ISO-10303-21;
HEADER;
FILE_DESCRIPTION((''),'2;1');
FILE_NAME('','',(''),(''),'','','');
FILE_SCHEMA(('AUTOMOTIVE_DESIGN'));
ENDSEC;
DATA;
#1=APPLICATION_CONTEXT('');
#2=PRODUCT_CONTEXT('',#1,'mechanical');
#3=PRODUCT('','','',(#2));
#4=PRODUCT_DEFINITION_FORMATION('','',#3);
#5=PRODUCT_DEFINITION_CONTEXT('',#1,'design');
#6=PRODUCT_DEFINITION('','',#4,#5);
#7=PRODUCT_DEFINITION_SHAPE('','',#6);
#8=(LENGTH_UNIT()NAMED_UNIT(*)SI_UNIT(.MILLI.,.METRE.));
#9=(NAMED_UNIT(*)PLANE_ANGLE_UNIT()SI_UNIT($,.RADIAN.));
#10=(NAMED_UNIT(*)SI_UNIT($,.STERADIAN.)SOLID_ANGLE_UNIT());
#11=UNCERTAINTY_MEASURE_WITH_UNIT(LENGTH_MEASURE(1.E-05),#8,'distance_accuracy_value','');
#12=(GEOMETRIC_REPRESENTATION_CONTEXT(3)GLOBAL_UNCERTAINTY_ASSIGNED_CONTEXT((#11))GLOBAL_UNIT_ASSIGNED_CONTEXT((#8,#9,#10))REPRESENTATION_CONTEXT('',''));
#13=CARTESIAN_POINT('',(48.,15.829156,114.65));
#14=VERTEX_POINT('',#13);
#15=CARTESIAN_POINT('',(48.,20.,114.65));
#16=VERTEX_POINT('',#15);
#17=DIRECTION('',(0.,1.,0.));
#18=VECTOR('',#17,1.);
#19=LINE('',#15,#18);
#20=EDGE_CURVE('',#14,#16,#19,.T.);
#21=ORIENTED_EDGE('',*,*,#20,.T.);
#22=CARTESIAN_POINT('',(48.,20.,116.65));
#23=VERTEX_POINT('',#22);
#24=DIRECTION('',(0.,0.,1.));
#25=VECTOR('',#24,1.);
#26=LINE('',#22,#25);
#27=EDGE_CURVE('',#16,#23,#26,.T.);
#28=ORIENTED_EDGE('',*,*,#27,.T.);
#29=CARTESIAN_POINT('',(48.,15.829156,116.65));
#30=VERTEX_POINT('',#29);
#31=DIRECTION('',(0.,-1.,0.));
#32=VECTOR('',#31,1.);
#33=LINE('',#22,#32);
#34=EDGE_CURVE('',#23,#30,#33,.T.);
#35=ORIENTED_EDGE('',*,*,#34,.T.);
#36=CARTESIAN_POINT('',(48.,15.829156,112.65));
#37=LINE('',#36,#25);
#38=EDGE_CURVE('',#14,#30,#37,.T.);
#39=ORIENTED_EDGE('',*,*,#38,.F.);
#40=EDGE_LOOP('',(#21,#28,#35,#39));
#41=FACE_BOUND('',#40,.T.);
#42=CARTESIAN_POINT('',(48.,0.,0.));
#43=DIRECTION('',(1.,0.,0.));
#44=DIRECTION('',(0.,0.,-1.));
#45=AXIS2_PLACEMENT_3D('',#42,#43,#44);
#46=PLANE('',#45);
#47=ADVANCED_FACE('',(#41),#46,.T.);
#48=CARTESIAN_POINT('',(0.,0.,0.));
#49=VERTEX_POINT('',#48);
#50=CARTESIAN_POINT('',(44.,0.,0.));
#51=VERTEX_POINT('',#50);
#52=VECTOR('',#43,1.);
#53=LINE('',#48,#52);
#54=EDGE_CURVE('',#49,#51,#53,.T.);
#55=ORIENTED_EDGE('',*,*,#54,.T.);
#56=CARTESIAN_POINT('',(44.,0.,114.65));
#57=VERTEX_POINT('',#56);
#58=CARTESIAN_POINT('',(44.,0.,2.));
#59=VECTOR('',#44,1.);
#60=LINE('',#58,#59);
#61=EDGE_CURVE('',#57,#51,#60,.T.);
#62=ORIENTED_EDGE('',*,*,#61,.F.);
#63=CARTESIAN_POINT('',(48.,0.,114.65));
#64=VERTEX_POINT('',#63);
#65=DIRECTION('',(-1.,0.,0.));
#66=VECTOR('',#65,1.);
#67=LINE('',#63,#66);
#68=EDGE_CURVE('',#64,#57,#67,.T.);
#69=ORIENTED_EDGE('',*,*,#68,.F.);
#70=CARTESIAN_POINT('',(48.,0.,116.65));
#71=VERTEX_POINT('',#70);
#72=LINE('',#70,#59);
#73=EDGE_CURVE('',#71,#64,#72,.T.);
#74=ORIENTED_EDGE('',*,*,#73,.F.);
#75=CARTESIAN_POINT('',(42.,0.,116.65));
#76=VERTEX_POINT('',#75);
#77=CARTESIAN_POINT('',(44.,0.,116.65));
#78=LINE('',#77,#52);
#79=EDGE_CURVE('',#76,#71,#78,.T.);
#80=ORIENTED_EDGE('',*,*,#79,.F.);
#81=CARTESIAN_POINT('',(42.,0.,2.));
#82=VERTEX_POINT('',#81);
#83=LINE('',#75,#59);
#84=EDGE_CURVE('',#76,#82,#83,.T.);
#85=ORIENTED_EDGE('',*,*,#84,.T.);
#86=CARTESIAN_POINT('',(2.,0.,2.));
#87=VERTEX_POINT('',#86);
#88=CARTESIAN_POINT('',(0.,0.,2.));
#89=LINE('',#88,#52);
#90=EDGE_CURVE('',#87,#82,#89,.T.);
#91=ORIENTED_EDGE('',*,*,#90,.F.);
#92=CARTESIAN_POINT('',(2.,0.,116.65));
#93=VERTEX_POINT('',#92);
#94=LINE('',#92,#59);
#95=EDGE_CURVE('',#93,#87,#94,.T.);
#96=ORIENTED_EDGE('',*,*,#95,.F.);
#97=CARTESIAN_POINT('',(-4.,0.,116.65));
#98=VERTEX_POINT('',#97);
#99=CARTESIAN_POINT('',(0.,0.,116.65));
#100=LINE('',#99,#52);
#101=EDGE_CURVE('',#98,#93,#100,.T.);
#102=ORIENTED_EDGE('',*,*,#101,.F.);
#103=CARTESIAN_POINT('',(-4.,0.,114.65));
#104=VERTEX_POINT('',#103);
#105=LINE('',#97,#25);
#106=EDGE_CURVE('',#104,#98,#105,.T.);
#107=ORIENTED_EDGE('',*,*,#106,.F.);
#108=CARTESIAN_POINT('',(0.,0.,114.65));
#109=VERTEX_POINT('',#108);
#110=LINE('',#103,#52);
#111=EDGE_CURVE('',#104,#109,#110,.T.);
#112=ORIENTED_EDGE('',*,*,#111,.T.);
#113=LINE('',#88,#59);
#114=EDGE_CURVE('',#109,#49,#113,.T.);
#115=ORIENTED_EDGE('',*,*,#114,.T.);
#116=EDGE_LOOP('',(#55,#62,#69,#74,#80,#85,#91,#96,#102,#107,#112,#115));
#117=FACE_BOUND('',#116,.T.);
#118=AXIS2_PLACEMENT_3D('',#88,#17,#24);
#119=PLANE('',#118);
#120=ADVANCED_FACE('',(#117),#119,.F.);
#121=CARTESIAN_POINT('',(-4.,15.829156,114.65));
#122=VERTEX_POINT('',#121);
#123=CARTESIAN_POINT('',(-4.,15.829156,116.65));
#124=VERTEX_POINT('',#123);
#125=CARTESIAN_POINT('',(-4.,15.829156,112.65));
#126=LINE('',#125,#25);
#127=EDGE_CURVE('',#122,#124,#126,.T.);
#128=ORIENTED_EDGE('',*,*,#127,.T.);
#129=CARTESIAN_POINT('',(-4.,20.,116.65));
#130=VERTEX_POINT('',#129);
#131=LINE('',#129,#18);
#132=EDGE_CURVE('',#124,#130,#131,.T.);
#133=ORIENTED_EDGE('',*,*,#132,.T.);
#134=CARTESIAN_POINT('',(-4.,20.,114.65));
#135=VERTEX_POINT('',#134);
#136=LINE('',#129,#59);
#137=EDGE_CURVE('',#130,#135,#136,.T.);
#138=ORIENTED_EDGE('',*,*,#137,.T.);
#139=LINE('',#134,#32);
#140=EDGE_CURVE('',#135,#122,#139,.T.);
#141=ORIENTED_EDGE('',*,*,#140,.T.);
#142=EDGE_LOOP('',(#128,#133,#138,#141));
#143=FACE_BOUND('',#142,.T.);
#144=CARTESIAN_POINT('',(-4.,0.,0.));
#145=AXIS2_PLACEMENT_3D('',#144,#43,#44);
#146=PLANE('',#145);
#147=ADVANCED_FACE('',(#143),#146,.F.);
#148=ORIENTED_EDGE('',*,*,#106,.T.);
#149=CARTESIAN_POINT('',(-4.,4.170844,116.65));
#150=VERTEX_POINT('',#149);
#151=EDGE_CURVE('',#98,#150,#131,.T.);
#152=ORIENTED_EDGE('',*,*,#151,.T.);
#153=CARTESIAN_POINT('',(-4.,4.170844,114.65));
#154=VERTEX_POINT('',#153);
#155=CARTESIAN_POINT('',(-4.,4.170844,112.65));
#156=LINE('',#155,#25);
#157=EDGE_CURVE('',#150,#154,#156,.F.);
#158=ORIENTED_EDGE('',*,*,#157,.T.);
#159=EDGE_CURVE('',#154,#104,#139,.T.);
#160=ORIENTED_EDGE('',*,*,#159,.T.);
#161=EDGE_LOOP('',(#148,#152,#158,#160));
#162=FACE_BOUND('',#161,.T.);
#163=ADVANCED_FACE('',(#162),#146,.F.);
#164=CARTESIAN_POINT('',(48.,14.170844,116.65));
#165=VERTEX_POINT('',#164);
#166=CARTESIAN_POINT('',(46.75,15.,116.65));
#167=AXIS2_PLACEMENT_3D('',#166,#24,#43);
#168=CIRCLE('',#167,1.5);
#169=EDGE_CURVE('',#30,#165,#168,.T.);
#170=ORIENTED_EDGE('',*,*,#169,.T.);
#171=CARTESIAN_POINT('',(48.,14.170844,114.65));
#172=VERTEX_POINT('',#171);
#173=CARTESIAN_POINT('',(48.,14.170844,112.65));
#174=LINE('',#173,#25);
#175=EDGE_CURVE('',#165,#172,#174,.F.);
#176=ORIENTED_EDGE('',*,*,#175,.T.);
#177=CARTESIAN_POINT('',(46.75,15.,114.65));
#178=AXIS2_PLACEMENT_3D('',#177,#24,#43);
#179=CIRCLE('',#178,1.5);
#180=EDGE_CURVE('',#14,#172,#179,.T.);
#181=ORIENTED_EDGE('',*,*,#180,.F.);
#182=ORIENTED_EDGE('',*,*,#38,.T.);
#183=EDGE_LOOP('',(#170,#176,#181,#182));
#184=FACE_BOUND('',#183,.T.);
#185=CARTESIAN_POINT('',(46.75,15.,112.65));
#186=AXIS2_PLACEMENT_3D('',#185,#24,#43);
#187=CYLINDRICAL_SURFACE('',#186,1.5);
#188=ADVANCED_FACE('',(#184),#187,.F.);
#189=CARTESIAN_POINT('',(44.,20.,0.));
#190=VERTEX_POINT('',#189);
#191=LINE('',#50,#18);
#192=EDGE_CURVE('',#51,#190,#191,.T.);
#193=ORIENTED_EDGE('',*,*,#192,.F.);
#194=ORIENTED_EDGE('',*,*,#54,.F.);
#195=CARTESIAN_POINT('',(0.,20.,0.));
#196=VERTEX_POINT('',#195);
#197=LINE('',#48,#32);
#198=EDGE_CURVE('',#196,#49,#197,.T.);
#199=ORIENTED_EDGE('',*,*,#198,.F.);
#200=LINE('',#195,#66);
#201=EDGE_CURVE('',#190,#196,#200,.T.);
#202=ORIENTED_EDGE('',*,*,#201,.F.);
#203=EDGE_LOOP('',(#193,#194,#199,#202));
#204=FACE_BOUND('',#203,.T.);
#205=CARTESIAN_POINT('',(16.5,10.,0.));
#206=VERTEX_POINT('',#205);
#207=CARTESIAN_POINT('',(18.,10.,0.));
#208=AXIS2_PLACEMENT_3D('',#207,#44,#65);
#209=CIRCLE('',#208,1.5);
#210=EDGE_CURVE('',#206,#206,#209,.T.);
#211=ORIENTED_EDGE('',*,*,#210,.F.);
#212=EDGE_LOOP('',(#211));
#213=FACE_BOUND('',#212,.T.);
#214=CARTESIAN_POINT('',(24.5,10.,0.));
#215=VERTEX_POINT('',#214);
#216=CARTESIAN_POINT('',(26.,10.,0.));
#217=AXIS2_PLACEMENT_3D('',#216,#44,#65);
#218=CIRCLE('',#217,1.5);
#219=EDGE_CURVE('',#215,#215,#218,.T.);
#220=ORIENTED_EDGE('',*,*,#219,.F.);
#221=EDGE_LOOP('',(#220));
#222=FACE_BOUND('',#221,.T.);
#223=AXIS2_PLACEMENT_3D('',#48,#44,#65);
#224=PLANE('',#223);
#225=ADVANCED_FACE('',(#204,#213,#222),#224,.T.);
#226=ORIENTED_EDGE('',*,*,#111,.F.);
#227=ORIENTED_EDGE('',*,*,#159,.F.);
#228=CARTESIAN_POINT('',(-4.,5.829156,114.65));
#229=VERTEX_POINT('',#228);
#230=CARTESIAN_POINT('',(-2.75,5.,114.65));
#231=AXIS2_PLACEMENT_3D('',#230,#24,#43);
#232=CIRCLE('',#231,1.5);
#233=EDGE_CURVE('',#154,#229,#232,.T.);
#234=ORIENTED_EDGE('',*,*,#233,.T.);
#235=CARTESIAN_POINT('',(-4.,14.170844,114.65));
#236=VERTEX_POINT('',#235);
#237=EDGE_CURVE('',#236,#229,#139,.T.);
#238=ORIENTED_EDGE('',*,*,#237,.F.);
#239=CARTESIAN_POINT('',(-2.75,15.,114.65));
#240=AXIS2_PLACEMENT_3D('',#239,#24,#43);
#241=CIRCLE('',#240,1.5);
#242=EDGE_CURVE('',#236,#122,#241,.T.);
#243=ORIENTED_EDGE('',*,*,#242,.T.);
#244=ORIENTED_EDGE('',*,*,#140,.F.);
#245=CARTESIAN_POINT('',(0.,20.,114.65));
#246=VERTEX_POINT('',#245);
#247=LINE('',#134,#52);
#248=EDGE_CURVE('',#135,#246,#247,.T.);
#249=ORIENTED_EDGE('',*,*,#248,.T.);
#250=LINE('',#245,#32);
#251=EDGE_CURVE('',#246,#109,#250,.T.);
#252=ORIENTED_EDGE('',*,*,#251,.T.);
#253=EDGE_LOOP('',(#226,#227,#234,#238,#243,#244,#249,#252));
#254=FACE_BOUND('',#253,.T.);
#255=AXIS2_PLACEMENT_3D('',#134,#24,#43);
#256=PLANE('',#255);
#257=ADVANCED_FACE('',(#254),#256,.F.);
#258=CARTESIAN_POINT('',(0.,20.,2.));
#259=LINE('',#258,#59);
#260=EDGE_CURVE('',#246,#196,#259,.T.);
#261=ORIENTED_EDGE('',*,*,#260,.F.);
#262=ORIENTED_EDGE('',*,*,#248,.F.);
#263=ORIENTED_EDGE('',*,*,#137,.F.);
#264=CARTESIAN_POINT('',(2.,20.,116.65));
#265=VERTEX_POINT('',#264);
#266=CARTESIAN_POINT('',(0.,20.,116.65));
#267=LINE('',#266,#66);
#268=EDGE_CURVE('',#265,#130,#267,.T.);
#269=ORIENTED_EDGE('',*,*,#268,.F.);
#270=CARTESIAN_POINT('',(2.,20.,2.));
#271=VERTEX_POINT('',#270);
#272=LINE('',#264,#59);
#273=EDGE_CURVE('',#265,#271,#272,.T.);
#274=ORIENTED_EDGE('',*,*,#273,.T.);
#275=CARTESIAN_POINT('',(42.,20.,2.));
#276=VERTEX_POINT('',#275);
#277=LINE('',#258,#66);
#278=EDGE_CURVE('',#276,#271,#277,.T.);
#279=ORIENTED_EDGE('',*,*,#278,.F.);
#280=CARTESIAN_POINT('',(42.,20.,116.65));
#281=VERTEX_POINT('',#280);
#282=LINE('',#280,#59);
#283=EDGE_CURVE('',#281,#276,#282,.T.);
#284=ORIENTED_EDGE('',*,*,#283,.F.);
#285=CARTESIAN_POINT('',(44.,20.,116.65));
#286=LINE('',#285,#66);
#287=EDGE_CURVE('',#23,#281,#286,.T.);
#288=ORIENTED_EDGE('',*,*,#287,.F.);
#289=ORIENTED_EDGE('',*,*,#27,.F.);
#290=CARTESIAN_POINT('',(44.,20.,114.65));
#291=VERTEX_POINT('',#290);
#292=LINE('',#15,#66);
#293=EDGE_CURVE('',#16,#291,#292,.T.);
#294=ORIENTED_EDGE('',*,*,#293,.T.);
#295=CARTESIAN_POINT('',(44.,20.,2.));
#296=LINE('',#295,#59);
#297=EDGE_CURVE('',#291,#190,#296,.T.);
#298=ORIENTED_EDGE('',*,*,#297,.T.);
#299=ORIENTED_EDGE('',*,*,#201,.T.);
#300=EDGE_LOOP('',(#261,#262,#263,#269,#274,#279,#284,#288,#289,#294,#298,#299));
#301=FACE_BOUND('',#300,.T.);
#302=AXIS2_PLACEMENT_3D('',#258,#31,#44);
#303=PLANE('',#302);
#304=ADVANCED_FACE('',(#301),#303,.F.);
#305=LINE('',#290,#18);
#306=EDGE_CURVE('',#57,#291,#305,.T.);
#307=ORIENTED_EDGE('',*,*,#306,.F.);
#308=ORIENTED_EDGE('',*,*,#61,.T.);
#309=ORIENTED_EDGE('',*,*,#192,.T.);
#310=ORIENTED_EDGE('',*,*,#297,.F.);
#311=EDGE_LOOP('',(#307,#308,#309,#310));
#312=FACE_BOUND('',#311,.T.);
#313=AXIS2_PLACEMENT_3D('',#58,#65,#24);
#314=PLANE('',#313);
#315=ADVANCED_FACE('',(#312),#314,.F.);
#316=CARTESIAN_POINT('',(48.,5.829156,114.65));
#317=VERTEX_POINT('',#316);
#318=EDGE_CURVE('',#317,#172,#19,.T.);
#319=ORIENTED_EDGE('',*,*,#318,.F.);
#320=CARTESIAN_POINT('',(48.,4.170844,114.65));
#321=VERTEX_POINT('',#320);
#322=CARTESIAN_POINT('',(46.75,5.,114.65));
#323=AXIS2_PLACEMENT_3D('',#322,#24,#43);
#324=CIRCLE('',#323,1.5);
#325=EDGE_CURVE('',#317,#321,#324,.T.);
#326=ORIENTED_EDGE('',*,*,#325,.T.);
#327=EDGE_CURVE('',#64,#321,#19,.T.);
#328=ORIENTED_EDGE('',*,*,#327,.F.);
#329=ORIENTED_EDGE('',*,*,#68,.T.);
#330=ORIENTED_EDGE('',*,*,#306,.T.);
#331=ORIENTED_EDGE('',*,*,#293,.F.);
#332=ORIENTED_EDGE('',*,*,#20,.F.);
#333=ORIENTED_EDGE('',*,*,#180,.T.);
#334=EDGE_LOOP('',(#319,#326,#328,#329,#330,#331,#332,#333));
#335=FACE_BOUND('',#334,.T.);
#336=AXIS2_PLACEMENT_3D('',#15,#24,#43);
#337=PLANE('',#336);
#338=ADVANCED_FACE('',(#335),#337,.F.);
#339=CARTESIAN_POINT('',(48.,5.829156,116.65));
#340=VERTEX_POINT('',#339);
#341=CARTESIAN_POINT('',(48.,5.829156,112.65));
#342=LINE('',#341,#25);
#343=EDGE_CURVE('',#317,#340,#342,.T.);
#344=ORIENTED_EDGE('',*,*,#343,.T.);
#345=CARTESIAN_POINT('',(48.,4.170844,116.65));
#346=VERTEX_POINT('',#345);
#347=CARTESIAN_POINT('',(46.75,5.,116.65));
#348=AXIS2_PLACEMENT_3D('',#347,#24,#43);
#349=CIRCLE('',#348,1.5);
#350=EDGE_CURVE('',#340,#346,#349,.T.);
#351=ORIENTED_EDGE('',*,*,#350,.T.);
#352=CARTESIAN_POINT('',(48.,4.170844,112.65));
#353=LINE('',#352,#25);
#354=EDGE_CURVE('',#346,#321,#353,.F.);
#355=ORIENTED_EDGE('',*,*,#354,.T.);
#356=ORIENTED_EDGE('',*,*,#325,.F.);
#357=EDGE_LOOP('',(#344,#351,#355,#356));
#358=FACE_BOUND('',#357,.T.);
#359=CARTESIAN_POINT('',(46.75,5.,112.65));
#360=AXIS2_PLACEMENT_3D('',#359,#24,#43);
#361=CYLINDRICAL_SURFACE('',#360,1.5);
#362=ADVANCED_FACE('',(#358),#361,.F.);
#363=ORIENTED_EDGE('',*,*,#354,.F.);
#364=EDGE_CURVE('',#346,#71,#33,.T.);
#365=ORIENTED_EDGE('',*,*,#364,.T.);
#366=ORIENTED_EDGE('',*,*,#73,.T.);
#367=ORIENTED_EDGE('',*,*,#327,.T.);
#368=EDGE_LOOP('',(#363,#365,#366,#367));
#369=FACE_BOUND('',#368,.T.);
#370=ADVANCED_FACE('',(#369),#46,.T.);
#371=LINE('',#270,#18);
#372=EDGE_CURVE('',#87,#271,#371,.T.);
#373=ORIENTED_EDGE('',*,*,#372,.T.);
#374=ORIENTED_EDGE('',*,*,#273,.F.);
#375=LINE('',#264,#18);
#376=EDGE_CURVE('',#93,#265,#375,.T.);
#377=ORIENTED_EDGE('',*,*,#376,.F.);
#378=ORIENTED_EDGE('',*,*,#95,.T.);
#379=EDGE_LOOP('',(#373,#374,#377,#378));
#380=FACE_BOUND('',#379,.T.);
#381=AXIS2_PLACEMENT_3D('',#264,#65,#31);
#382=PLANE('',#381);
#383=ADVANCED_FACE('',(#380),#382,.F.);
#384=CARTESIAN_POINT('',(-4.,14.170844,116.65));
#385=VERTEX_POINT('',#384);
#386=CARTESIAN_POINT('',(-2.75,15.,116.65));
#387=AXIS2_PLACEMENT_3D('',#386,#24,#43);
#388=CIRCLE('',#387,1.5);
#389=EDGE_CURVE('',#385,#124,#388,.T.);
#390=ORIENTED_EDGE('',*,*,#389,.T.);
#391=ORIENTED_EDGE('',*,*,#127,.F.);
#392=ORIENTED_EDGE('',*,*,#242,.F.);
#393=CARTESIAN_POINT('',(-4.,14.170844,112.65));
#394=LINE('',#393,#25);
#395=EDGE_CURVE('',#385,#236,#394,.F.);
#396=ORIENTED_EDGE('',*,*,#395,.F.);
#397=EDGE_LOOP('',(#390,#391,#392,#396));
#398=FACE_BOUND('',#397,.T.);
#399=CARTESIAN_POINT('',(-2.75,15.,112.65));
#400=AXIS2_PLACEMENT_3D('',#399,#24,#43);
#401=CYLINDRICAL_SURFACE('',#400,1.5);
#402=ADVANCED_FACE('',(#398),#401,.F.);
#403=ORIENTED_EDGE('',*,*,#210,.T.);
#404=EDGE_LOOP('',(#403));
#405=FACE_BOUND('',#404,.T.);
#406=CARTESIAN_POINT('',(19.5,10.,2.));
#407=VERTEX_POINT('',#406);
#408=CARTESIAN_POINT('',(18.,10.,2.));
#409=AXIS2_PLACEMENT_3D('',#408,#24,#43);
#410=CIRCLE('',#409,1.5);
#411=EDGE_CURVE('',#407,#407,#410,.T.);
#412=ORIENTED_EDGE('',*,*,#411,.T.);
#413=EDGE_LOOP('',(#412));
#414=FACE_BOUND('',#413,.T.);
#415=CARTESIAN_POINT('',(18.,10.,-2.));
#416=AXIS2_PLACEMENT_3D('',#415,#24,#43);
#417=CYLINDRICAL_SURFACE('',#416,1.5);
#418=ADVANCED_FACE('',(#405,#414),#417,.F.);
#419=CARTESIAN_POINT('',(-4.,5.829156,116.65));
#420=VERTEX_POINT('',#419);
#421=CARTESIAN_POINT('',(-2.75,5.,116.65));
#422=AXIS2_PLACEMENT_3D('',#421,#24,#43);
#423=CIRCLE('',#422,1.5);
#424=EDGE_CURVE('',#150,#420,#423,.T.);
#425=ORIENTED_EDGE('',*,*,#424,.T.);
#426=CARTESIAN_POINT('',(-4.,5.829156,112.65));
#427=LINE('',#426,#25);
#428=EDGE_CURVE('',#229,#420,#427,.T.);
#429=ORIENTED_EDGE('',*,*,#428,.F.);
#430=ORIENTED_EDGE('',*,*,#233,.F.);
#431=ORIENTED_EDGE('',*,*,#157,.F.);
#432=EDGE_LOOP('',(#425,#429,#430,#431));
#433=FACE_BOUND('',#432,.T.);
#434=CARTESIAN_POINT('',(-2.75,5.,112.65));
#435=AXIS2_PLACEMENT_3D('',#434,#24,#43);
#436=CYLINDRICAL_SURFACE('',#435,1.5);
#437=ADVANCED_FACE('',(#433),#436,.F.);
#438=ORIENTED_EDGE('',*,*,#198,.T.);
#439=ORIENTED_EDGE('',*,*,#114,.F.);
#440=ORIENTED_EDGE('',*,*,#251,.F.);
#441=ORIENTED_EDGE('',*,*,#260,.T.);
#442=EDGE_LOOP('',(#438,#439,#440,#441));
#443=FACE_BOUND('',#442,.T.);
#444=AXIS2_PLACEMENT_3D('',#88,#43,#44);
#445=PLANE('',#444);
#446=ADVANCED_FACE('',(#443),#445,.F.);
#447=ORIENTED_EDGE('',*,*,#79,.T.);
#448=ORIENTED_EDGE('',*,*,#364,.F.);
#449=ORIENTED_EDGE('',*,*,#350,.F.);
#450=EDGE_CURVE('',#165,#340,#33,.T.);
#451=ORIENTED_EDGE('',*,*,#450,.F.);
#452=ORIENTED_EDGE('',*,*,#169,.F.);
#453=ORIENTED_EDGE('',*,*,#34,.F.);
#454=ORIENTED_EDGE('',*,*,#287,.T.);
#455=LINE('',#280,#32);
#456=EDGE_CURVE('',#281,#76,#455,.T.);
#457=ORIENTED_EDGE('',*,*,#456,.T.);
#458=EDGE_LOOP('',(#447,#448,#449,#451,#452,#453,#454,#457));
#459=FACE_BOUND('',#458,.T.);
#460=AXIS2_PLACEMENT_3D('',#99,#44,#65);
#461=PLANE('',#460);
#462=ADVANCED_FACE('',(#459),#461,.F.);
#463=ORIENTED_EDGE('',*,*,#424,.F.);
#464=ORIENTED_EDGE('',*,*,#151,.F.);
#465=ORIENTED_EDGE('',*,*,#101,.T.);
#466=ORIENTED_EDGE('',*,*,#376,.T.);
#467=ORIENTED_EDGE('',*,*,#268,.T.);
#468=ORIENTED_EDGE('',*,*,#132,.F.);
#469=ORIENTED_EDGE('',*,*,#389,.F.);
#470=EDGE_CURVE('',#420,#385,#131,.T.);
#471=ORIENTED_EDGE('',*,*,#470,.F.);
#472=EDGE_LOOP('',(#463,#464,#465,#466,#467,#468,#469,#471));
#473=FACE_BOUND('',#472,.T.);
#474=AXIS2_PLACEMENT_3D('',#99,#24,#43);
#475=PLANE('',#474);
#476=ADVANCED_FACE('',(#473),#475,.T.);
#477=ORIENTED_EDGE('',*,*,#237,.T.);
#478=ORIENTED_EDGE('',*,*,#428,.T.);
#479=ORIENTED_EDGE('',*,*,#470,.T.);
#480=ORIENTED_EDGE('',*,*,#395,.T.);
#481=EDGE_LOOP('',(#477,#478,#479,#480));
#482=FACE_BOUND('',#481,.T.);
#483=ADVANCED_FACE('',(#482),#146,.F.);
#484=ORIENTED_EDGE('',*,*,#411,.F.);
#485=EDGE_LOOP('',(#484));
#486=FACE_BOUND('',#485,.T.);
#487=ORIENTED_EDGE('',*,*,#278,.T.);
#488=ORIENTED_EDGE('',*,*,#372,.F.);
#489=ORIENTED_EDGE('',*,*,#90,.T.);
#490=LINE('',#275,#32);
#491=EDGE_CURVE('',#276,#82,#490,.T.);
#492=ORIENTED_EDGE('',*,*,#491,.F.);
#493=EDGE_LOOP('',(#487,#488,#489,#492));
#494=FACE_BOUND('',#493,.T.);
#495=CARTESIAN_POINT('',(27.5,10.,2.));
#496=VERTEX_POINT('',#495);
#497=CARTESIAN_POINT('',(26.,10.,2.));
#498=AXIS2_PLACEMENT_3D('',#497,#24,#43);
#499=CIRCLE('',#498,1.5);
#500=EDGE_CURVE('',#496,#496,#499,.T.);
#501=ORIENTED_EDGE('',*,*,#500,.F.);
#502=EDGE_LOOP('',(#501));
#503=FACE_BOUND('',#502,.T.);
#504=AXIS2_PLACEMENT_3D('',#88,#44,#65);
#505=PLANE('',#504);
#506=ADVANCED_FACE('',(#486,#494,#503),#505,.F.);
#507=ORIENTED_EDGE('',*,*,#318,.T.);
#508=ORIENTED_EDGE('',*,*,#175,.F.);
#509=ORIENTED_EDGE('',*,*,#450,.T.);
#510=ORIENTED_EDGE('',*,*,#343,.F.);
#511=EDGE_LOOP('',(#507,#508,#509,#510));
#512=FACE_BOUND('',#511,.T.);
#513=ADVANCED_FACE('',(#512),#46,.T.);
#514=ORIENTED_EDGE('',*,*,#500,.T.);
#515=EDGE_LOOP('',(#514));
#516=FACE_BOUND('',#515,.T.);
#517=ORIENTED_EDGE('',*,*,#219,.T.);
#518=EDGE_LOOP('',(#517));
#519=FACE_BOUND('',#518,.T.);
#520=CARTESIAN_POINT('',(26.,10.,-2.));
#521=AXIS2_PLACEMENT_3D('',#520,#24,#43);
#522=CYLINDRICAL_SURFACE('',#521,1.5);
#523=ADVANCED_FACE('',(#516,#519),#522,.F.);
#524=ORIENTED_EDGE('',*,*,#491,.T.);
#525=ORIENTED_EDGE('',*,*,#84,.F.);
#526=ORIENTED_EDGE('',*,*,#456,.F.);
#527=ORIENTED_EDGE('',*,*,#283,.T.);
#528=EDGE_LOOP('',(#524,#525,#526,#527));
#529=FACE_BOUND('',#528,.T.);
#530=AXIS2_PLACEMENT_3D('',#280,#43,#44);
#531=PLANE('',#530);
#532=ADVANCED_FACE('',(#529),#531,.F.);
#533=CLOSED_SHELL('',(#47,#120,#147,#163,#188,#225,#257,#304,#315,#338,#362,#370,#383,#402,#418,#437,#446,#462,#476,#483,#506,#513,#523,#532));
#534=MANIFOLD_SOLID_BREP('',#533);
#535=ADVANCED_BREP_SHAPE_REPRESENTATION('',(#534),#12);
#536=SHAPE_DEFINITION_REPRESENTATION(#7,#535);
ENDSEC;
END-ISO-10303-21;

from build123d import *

# Parameters (mm, degrees)
ESQUISSE1_W             = 44
ESQUISSE1_H             = 20
BOSS_EXTRU_1_DEPTH      = 2
ESQUISSE2_W             = 2
ESQUISSE2_H             = 20
BOSS_EXTRU_2_DEPTH      = 114.65
ESQUISSE3_W             = 2
ESQUISSE3_H             = 20
BOSS_EXTRU_3_DEPTH      = 4
ESQUISSE4_W             = 2
ESQUISSE4_H             = 20
BOSS_EXTRU_4_DEPTH      = 4
ESQUISSE5_R             = 1.5
ENL_V_MAT_EXTRU_1_DEPTH = 4
ESQUISSE6_R             = 1.5
ENL_V_MAT_EXTRU_2_DEPTH = 4


with BuildPart() as part:
    # Esquisse1 → Boss.-Extru.1 (new body)
    with BuildSketch(Plane.XY):
        with Locations((22, 10)):
            Rectangle(ESQUISSE1_W, ESQUISSE1_H)
    extrude(amount=BOSS_EXTRU_1_DEPTH)

    # Esquisse2 → Boss.-Extru.2 (add)
    with BuildSketch(Plane.XY.offset(2)):
        with Locations((1, 10)):
            Rectangle(ESQUISSE2_W, ESQUISSE2_H)
        with Locations((43, 10)):
            Rectangle(ESQUISSE2_W, ESQUISSE2_H)
    extrude(amount=BOSS_EXTRU_2_DEPTH)

    # Esquisse3 → Boss.-Extru.3 (add)
    with BuildSketch(Plane.ZY):
        with Locations((115.65, 10)):
            Rectangle(ESQUISSE3_W, ESQUISSE3_H)
    extrude(amount=BOSS_EXTRU_3_DEPTH)

    # Esquisse4 → Boss.-Extru.4 (add)
    with BuildSketch(Plane(origin=(44, 0, 0), x_dir=(0, 0, -1), z_dir=(1, 0, 0))):
        with Locations((-115.65, 10)):
            Rectangle(ESQUISSE4_W, ESQUISSE4_H)
    extrude(amount=BOSS_EXTRU_4_DEPTH)

    # Esquisse5 → Enlèv. mat.-Extru.1 (cut)
    with BuildSketch(Plane.XY.offset(2)):
        with Locations((18, 10)):
            Circle(ESQUISSE5_R)
        with Locations((26, 10)):
            Circle(ESQUISSE5_R)
    extrude(amount=-ENL_V_MAT_EXTRU_1_DEPTH, mode=Mode.SUBTRACT)

    # Esquisse6 → Enlèv. mat.-Extru.2 (cut)
    with BuildSketch(Plane.XY.offset(116.65)):
        with Locations((46.75, 15)):
            Circle(ESQUISSE6_R)
        with Locations((46.75, 5)):
            Circle(ESQUISSE6_R)
        with Locations((-2.75, 15)):
            Circle(ESQUISSE6_R)
        with Locations((-2.75, 5)):
            Circle(ESQUISSE6_R)
    extrude(amount=-ENL_V_MAT_EXTRU_2_DEPTH, mode=Mode.SUBTRACT)


solid = part.part
